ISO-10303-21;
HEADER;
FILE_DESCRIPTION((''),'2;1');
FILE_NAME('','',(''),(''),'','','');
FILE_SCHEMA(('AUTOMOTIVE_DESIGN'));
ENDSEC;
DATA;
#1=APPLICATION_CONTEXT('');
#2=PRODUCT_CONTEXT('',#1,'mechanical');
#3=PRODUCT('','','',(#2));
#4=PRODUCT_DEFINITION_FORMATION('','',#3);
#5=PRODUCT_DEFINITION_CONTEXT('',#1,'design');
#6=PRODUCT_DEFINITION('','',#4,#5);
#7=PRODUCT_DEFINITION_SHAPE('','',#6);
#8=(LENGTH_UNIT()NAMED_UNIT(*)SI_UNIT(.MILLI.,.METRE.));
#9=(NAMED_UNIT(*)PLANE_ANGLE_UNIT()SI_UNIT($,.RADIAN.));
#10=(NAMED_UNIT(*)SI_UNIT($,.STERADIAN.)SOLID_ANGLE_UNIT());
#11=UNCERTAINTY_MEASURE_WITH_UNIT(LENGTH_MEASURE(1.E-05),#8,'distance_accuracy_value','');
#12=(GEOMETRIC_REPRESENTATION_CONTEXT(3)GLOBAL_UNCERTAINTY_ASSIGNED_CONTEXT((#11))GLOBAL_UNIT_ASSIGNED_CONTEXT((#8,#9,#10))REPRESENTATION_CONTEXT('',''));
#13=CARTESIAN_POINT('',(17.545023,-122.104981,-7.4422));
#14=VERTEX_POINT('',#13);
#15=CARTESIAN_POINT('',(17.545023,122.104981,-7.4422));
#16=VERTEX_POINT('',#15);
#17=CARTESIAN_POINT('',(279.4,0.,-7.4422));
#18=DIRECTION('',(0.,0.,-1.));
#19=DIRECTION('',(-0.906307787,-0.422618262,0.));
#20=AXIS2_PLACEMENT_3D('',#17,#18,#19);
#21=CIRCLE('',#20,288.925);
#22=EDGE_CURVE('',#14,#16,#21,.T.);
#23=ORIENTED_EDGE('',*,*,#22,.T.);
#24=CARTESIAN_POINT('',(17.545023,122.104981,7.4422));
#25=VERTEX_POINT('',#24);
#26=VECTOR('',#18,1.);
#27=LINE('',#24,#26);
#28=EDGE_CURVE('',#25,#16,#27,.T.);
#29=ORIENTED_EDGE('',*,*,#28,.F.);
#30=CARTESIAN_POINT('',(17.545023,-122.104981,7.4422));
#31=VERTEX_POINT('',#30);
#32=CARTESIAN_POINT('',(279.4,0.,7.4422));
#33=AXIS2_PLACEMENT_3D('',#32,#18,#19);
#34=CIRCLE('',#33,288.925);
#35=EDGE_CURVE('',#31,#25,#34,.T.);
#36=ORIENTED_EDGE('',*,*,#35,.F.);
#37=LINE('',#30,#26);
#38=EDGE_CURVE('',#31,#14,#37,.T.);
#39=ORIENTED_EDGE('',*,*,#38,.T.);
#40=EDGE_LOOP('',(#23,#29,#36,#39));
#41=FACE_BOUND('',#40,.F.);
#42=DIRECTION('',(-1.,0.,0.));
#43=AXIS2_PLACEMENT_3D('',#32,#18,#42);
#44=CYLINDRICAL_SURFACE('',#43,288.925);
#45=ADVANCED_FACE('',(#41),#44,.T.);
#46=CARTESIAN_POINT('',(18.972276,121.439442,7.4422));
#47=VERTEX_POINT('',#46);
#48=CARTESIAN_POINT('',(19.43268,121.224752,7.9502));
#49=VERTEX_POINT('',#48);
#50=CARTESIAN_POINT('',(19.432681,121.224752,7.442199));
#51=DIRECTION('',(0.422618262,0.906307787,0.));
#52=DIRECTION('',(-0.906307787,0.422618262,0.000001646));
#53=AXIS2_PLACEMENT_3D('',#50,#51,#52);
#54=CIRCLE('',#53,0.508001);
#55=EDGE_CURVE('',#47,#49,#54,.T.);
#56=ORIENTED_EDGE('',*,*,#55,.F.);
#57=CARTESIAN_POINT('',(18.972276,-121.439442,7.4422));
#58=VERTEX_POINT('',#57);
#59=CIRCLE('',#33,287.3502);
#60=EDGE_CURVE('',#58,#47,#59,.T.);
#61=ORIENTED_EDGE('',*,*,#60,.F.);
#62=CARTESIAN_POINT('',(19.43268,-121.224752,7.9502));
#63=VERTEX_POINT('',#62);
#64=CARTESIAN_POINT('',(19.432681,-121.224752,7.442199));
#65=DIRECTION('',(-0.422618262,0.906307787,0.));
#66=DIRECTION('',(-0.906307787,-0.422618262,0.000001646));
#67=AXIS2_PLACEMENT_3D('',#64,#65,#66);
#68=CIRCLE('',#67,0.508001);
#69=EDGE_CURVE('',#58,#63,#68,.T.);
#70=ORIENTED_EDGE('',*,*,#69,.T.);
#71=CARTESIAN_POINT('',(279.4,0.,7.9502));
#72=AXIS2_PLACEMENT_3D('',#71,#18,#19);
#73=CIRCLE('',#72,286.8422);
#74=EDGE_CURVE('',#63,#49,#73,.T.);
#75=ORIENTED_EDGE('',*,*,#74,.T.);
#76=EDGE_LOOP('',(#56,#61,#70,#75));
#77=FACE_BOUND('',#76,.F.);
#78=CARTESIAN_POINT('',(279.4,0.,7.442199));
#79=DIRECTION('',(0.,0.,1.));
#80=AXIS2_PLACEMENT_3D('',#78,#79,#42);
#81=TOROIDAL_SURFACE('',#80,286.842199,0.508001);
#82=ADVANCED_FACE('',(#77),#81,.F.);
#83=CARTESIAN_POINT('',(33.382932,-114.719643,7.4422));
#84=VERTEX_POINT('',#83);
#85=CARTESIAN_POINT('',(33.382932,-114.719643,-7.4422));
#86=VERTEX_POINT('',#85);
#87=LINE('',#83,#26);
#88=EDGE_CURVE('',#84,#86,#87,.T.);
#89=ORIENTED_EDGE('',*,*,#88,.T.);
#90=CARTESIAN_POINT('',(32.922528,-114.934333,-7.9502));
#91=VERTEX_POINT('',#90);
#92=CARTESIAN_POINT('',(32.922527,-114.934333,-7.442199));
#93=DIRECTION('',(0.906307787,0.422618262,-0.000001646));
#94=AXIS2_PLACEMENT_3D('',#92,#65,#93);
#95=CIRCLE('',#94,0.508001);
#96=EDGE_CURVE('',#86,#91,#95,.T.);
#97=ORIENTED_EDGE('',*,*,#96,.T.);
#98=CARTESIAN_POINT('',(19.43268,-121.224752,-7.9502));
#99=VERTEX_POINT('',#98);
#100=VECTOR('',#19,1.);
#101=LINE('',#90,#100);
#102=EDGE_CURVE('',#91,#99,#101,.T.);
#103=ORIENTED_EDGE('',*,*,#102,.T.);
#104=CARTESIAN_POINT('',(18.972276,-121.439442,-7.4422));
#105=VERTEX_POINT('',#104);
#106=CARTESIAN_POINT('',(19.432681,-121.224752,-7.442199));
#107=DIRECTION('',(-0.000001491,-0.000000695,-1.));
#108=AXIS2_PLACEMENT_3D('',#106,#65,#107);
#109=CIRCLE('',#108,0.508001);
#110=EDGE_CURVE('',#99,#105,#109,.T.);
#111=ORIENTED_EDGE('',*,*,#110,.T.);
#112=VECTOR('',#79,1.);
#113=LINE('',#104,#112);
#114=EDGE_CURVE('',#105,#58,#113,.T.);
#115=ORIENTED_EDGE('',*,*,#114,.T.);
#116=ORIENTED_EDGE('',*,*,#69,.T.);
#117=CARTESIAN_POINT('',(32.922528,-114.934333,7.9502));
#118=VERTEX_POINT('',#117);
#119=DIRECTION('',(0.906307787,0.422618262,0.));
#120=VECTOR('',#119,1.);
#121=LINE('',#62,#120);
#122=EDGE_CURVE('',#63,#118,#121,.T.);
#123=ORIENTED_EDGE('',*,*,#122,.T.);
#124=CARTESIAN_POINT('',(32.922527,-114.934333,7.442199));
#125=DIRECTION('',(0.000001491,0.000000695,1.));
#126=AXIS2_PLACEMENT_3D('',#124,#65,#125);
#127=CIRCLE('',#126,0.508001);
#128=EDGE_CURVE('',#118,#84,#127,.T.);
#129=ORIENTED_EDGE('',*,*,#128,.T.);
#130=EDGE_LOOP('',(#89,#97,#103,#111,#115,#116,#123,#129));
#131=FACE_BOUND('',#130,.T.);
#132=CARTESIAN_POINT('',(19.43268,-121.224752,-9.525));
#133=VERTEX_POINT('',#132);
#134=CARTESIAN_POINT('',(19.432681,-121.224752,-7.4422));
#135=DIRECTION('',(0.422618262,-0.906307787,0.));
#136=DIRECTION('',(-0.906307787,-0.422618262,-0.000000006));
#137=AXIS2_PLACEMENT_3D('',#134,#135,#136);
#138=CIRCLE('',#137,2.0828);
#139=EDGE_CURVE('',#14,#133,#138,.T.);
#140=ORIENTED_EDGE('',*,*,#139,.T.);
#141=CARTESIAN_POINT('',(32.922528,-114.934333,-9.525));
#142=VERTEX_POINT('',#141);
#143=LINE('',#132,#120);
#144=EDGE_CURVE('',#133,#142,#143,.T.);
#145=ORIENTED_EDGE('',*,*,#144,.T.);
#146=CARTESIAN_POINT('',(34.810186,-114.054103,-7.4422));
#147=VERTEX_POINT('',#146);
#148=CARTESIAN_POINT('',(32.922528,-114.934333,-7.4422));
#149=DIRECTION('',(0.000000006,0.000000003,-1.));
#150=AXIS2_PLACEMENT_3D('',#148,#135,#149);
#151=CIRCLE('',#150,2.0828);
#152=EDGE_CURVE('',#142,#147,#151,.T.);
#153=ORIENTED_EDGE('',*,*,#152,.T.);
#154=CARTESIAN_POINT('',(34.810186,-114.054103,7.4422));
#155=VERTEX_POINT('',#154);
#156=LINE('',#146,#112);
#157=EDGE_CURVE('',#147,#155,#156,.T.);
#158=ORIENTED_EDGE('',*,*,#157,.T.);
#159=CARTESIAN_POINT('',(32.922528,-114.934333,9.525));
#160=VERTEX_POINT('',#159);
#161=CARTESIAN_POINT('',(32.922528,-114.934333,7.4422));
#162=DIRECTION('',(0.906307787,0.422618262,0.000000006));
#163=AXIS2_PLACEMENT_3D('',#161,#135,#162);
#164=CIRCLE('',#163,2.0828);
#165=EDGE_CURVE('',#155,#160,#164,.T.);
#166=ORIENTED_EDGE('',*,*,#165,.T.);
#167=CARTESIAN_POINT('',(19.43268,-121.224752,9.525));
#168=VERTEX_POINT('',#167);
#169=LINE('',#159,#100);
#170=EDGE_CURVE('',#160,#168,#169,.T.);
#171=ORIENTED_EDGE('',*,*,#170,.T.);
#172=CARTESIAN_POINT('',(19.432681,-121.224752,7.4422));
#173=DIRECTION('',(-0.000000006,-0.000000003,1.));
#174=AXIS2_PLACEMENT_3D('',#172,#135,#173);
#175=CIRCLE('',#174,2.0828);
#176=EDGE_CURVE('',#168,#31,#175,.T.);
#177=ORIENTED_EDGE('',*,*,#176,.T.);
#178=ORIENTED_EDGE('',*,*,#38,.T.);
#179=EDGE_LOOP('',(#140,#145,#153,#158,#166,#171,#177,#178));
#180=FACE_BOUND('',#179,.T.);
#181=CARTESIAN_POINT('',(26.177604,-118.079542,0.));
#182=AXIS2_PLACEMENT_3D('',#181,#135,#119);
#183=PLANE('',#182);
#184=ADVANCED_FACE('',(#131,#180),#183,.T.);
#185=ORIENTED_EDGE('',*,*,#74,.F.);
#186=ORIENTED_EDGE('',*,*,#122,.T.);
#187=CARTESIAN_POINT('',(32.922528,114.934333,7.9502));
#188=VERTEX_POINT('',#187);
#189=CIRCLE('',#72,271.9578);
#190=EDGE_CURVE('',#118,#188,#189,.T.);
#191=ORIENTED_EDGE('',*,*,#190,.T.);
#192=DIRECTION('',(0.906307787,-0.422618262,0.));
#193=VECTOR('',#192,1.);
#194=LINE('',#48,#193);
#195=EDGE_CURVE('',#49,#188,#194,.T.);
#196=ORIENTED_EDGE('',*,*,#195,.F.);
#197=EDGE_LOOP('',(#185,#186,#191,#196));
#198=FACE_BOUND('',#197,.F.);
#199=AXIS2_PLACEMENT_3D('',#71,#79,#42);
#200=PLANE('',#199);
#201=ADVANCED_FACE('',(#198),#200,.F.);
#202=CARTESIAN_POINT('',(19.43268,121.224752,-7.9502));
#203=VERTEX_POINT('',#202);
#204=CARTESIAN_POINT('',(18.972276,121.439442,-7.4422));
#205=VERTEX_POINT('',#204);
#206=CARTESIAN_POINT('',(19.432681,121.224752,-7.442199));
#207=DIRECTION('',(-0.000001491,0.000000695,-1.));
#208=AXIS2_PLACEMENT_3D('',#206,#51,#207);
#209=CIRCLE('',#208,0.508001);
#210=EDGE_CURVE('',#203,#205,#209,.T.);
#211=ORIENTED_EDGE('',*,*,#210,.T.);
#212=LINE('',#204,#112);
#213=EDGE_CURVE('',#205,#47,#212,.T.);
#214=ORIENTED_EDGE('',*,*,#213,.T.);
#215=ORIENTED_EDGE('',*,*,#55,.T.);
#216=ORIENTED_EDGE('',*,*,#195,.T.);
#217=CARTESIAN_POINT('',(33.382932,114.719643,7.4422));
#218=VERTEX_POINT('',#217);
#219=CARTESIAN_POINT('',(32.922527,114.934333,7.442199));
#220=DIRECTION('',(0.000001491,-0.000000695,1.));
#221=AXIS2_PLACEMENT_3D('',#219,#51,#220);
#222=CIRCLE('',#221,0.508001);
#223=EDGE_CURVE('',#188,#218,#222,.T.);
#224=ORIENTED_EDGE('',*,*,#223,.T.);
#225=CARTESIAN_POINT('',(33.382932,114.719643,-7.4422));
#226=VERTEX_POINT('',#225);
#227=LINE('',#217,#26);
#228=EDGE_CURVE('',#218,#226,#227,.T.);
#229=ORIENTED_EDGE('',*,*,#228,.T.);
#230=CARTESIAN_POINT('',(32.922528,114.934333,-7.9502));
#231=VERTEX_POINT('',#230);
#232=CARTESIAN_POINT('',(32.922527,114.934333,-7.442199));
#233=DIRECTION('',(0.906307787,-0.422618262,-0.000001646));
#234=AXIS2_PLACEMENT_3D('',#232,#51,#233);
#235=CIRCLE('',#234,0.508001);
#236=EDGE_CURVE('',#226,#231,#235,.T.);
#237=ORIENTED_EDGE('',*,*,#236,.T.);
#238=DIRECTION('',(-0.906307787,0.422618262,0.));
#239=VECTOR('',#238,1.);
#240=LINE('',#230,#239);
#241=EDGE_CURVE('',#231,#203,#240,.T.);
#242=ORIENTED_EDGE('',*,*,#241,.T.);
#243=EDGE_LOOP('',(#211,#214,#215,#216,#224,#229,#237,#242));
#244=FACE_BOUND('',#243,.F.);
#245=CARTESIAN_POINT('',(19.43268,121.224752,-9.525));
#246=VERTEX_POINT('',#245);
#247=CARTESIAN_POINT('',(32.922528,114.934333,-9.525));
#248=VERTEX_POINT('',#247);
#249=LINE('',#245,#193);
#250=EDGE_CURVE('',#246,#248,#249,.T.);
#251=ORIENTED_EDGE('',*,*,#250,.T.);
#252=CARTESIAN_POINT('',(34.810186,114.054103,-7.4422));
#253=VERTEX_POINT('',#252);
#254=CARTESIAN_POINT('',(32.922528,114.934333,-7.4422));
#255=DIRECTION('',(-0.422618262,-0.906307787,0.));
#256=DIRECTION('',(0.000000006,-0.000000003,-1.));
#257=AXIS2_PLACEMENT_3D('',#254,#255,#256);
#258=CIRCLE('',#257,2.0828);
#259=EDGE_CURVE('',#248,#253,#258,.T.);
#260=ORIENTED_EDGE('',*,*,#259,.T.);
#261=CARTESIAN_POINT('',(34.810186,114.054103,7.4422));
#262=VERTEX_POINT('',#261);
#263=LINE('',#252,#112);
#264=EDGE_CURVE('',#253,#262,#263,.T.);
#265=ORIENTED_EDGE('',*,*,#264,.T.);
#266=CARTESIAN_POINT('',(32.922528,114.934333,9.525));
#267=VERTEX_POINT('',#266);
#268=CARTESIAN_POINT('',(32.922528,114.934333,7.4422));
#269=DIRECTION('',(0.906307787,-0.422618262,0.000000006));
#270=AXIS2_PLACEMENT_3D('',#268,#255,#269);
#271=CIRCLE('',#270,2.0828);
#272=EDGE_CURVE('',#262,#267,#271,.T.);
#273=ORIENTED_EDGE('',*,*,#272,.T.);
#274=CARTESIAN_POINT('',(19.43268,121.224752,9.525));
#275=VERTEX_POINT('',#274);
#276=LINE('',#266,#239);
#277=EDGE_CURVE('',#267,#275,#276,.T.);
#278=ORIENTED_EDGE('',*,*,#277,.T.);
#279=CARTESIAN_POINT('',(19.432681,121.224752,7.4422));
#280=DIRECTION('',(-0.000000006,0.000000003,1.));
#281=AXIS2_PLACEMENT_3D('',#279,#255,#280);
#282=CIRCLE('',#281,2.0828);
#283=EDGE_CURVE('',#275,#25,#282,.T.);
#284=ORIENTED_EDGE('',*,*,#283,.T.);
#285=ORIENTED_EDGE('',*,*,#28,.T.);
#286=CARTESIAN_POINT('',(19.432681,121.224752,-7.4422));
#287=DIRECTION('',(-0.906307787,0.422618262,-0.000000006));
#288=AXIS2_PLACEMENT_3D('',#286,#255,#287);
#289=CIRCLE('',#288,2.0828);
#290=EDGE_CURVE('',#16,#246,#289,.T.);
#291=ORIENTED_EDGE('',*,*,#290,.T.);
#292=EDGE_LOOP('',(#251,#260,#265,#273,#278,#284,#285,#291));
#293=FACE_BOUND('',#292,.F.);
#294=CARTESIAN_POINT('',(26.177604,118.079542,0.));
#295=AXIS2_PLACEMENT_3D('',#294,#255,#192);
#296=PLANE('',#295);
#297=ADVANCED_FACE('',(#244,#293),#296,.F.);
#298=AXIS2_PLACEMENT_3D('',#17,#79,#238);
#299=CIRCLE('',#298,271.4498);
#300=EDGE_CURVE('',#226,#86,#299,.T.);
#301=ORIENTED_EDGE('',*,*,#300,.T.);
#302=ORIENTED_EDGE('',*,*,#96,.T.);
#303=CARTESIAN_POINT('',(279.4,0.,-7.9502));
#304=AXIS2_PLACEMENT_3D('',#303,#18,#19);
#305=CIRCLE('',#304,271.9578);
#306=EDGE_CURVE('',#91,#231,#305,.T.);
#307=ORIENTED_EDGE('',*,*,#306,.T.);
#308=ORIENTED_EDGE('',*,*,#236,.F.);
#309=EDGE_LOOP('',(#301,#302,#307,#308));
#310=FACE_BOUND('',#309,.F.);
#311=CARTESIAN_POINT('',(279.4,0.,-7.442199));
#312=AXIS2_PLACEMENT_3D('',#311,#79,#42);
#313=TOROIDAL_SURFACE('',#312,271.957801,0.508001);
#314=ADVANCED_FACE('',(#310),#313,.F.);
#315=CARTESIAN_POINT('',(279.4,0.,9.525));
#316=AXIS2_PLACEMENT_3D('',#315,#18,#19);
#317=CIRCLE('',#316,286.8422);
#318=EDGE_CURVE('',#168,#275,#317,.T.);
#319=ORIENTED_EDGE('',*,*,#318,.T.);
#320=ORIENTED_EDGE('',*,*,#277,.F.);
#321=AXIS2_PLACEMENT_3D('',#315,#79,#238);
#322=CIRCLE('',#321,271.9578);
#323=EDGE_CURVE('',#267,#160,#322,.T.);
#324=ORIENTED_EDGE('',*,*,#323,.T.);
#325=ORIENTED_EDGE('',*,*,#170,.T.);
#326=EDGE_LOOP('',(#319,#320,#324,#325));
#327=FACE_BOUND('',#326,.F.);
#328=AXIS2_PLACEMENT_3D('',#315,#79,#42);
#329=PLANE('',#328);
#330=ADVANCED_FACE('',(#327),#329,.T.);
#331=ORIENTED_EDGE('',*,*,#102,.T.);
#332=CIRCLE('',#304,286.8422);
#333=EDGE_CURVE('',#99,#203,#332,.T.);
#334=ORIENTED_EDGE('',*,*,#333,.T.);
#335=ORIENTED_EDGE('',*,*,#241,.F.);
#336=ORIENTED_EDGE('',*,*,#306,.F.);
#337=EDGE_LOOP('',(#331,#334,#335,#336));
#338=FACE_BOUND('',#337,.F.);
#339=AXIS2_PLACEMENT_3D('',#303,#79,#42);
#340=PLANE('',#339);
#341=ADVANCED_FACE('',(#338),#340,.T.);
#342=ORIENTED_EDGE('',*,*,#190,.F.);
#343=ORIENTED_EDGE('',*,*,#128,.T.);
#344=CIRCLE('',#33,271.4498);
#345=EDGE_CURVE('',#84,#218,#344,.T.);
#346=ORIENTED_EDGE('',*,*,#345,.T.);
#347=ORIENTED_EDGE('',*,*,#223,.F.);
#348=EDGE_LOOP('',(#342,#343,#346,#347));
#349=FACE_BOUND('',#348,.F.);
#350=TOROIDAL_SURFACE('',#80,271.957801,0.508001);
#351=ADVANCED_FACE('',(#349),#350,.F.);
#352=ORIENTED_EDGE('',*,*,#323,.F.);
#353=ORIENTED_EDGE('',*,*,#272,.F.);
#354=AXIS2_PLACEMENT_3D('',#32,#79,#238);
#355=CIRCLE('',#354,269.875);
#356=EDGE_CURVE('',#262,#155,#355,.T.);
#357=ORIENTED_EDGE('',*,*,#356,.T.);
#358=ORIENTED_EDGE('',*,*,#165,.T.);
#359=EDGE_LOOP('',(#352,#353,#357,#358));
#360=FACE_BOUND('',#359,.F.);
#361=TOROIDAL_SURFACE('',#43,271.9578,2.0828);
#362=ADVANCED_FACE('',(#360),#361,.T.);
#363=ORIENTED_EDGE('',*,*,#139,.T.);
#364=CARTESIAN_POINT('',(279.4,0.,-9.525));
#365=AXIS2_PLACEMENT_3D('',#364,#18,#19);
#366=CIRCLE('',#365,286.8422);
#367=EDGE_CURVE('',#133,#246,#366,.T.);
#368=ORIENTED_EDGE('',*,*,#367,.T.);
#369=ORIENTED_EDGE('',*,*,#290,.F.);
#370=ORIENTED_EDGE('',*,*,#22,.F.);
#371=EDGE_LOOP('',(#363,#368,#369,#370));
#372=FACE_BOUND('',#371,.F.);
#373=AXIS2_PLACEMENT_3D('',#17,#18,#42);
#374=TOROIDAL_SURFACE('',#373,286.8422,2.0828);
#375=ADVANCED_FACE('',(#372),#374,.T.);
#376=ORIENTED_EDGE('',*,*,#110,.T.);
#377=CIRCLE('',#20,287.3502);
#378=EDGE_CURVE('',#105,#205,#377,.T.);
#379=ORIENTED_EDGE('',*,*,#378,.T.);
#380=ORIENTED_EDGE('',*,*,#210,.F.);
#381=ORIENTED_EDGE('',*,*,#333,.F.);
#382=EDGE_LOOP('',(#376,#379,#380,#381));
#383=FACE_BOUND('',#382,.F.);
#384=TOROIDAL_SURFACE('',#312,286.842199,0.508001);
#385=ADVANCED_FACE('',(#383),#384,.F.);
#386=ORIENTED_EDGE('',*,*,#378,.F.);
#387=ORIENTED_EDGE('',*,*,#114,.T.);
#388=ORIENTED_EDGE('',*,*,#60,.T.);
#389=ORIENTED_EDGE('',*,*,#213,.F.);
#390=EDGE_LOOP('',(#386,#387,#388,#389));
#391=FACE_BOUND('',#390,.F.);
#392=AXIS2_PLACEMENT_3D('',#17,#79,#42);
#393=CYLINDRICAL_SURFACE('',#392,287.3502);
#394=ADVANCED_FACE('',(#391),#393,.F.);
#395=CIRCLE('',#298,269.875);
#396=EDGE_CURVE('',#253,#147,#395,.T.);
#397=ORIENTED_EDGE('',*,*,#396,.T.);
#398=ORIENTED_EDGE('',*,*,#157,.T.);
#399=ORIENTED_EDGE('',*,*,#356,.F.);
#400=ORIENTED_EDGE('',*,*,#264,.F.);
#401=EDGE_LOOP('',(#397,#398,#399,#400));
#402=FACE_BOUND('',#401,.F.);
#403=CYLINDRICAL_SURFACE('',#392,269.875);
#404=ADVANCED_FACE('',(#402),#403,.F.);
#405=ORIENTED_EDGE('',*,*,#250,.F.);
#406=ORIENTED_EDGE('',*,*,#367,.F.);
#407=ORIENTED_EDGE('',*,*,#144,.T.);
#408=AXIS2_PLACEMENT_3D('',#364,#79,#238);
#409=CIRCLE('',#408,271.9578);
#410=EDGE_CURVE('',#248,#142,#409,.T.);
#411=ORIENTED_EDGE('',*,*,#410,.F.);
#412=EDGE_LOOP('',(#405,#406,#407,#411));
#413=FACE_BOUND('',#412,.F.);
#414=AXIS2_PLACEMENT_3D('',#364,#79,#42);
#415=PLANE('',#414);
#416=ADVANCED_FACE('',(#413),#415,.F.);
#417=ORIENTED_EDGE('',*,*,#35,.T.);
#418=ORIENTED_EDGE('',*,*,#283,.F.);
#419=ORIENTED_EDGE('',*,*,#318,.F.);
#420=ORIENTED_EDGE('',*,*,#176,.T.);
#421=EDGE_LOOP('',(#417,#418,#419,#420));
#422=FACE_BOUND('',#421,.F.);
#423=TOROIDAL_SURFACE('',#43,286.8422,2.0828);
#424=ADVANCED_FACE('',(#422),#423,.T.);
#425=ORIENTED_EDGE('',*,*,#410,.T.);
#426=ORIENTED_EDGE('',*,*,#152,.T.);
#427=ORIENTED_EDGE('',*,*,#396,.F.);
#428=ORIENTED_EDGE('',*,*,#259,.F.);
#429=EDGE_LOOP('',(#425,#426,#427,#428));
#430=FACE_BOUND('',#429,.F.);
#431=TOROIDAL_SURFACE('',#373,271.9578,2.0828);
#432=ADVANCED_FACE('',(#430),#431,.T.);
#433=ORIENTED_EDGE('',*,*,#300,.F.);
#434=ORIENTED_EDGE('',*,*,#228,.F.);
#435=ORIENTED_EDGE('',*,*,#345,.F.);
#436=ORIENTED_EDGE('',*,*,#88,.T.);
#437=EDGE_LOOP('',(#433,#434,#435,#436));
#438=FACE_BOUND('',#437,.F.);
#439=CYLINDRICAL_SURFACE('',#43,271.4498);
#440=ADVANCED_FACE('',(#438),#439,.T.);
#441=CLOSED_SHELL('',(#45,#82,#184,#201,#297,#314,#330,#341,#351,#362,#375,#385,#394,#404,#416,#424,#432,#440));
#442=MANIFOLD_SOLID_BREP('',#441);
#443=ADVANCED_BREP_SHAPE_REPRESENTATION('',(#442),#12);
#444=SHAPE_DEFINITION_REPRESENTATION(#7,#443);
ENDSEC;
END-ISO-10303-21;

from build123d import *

# Parameters (mm, degrees)
F1_ANGLE = 50


with BuildPart() as f1:
    # F0 (on Front) → F1 (revolve, symmetric)
    with BuildSketch(Plane.XZ) as f1_sk:
        with BuildLine():
            Line((-7.4422, -9.525), (7.4422, -9.525))
            ThreePointArc((7.4422, -9.525), (8.914962, -8.914962), (9.525, -7.4422))
            Line((9.525, -7.4422), (9.525, 7.4422))
            ThreePointArc((9.525, 7.4422), (8.914962, 8.914962), (7.4422, 9.525))
            Line((7.4422, 9.525), (-7.4422, 9.525))
            ThreePointArc((-7.4422, 9.525), (-8.914962, 8.914962), (-9.525, 7.4422))
            Line((-9.525, 7.4422), (-9.525, -7.4422))
            ThreePointArc((-9.525, -7.4422), (-8.914962, -8.914962), (-7.4422, -9.525))
        make_face()
        with BuildLine():
            ThreePointArc((7.9502, -7.4422), (7.80141, -7.80141), (7.4422, -7.9502))
            Line((7.4422, -7.9502), (-7.4422, -7.9502))
            ThreePointArc((-7.4422, -7.9502), (-7.80141, -7.80141), (-7.9502, -7.4422))
            Line((-7.9502, -7.4422), (-7.9502, 7.4422))
            ThreePointArc((-7.9502, 7.4422), (-7.80141, 7.80141), (-7.4422, 7.9502))
            Line((-7.4422, 7.9502), (7.4422, 7.9502))
            ThreePointArc((7.4422, 7.9502), (7.80141, 7.80141), (7.9502, 7.4422))
            Line((7.9502, 7.4422), (7.9502, -7.4422))
        make_face(mode=Mode.SUBTRACT)
    revolve(axis=Axis((279.4, 0, -3.901474), (0, 0, -1)), revolution_arc=F1_ANGLE / 2)
    revolve(f1_sk.sketch, axis=Axis((279.4, 0, -3.901474), (0, 0, 1)), revolution_arc=F1_ANGLE / 2)


solid = f1.part
